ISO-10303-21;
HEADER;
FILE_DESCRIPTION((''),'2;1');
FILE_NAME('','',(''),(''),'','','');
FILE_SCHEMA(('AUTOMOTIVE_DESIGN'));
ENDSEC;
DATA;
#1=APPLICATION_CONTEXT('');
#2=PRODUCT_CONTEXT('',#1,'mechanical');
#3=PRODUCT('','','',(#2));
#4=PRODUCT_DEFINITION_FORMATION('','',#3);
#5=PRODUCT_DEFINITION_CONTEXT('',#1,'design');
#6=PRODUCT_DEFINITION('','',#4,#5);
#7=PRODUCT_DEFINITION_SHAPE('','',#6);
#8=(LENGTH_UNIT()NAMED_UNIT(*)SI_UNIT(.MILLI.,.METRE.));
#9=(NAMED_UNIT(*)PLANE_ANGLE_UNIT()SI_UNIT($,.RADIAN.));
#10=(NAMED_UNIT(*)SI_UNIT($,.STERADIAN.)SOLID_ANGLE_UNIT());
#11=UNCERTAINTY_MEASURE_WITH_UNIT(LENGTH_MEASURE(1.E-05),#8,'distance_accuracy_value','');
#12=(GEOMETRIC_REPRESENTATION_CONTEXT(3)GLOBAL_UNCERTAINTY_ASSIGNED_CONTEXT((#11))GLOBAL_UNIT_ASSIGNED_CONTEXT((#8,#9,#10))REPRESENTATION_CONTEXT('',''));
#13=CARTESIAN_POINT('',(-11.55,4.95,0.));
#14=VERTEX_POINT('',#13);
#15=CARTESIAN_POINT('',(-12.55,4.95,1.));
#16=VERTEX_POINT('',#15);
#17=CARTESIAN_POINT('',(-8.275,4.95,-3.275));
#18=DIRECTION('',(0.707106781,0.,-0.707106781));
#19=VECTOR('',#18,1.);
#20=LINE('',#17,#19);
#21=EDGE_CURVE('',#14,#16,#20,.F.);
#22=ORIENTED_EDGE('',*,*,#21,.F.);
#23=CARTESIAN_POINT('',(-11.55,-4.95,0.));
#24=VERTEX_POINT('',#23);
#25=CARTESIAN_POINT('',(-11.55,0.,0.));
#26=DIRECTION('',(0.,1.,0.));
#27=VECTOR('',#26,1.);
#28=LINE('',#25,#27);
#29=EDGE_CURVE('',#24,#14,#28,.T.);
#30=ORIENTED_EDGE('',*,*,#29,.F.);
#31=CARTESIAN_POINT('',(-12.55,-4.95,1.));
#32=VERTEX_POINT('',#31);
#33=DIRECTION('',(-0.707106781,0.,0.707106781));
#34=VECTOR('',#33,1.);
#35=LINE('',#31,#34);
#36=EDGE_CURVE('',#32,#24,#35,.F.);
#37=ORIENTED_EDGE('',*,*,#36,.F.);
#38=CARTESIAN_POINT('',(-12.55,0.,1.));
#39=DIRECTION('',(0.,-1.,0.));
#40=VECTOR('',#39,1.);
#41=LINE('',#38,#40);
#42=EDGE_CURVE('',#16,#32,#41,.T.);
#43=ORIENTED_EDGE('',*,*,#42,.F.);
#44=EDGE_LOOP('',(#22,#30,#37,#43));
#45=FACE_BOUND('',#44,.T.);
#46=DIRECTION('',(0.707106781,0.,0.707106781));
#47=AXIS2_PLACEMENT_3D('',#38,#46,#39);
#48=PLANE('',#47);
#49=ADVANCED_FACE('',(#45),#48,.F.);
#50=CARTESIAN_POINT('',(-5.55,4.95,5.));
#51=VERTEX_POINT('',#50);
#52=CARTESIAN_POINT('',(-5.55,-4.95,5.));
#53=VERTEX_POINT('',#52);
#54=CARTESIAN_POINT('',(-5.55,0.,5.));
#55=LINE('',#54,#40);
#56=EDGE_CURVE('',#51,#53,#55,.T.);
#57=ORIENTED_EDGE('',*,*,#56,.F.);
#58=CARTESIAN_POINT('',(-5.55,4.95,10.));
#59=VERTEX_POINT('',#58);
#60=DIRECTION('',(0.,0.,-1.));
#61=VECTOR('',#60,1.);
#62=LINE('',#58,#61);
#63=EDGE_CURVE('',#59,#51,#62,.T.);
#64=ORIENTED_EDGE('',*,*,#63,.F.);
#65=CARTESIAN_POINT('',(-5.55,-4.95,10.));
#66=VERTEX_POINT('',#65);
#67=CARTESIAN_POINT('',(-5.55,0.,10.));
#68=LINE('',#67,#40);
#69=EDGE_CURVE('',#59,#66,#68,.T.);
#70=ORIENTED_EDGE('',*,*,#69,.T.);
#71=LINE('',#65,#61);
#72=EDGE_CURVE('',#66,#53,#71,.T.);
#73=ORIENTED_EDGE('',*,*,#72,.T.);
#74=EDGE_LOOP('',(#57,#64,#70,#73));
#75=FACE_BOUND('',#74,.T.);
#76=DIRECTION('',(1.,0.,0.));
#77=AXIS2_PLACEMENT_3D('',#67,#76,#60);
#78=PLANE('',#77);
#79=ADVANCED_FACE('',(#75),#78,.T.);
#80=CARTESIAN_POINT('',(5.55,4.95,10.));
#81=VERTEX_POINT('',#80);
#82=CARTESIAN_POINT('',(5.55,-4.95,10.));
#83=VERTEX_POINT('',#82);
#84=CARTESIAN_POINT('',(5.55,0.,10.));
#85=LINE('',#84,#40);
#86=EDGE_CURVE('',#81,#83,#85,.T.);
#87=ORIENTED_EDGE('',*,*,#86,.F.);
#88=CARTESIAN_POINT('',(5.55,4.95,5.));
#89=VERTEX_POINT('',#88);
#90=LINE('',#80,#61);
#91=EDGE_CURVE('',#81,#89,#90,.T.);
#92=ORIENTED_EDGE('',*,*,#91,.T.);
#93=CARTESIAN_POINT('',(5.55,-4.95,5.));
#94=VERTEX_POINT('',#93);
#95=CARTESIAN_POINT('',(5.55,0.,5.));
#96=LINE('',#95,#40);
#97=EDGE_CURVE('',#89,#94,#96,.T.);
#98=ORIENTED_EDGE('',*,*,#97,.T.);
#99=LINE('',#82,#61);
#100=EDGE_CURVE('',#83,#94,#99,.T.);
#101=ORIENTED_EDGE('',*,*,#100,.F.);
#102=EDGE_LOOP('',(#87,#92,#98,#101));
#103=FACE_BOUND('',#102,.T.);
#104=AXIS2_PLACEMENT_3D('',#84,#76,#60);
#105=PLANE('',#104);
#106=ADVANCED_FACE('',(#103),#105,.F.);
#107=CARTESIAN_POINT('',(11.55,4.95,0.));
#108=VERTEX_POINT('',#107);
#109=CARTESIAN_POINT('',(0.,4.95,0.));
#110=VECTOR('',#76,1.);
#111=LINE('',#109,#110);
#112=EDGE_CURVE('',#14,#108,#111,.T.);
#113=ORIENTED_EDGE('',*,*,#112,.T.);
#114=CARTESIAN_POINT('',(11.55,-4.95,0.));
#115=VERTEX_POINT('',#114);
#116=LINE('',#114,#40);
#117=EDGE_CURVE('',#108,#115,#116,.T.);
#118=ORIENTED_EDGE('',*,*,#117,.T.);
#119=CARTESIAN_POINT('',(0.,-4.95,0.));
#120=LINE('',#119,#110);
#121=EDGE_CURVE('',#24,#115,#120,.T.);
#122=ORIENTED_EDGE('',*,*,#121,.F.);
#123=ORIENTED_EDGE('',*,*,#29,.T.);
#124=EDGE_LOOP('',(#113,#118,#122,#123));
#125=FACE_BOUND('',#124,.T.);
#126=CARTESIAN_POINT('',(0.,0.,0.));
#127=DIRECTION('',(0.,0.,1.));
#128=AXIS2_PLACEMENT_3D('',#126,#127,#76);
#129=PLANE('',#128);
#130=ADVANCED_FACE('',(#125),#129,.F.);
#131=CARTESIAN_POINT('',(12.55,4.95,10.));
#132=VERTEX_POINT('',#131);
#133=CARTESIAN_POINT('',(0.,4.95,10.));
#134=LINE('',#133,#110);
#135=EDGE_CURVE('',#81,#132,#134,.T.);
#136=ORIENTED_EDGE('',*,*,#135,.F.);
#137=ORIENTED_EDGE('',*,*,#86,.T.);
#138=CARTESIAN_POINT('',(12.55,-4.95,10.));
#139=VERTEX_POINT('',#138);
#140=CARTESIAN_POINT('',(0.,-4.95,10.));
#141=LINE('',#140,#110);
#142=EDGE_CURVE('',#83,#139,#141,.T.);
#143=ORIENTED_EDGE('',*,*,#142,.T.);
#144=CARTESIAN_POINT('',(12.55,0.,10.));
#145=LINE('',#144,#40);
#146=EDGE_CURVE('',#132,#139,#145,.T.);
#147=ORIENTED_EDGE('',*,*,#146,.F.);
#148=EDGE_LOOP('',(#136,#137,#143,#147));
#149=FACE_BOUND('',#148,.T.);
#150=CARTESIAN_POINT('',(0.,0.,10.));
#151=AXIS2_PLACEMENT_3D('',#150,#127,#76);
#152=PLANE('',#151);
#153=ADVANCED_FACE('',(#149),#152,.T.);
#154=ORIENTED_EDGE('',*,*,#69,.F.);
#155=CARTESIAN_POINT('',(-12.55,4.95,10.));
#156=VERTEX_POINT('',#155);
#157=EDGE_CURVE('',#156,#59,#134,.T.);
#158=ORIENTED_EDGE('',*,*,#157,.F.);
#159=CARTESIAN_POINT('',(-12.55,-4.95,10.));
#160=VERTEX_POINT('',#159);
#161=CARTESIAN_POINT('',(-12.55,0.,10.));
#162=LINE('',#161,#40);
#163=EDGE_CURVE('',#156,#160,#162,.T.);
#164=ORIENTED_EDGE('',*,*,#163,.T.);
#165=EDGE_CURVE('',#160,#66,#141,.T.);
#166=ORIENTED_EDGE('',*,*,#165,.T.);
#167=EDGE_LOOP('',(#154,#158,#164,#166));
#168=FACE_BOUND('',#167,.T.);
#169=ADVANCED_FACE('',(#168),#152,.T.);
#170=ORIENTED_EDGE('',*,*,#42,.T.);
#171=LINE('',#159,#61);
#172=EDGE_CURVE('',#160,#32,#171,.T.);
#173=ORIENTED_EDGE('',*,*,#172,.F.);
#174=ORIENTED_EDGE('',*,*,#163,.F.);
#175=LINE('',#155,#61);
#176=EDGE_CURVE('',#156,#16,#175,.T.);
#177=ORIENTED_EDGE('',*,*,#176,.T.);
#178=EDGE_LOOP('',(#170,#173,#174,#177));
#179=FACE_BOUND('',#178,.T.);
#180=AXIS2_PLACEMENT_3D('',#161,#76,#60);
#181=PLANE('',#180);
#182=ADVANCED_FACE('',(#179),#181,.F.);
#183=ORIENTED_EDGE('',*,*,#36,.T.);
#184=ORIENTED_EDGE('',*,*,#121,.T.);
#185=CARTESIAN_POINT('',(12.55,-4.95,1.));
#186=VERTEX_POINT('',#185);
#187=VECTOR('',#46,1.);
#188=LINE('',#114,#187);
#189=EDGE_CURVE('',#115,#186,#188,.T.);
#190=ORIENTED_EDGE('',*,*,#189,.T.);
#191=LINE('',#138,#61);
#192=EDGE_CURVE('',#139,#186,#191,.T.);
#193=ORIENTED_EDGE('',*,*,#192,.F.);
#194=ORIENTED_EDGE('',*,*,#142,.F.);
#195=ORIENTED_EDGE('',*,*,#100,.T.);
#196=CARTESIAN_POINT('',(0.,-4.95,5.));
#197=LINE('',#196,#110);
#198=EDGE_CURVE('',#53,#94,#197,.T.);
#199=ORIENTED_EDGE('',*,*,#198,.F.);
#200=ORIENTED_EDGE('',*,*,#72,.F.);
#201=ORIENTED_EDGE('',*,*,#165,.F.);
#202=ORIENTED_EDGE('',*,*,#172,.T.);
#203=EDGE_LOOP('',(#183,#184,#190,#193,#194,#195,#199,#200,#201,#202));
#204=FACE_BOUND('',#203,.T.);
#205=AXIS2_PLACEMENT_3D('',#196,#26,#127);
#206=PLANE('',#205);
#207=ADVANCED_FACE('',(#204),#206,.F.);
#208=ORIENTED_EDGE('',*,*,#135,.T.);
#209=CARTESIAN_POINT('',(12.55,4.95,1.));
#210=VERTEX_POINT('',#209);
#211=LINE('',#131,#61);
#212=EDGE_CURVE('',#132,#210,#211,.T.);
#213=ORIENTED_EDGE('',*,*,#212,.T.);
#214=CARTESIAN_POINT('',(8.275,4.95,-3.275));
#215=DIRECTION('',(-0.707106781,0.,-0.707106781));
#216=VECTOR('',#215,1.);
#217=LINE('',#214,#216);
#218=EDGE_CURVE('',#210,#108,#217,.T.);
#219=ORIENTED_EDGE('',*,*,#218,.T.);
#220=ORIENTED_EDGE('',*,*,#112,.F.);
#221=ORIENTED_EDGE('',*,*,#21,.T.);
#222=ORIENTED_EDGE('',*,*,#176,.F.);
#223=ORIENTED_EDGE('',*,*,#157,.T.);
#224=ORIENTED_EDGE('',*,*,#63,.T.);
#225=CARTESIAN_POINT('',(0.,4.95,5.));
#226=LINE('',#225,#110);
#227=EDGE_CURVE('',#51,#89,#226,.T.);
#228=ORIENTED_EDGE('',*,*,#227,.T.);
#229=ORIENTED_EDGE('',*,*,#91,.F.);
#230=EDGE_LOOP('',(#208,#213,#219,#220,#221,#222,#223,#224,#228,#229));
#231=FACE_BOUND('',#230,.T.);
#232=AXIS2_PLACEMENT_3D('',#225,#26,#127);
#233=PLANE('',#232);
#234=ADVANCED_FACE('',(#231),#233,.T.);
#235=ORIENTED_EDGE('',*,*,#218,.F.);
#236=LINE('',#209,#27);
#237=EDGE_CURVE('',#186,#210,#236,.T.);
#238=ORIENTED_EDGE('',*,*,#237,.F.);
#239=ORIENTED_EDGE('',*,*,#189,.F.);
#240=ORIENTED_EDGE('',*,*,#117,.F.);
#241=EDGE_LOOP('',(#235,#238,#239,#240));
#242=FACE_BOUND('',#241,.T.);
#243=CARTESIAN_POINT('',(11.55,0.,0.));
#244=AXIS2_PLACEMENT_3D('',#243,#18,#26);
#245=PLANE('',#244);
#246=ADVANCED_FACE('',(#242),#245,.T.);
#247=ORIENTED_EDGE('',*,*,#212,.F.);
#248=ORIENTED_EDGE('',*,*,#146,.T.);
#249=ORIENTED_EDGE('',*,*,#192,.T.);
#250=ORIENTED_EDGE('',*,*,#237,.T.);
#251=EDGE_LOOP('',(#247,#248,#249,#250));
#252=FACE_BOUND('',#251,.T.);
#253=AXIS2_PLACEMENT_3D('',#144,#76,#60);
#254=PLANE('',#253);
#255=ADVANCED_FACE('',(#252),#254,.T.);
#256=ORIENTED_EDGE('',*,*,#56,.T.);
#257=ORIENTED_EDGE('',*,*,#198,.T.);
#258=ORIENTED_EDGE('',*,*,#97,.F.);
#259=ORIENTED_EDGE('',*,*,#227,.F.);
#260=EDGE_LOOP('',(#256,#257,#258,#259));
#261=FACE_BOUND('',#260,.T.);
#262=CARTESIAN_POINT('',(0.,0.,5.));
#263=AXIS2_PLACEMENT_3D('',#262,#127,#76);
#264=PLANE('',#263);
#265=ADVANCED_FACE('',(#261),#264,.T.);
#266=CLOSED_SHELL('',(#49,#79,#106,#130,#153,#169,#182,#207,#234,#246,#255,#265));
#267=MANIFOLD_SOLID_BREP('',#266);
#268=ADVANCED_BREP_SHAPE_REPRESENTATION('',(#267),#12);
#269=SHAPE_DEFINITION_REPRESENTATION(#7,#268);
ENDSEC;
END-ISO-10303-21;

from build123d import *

# Parameters (mm, degrees)
SKETCH_1_W      = 11.1
SKETCH_1_H      = 9.9
EXTRUDE_1_DEPTH = 5
SKETCH_1_3_W    = 7
SKETCH_1_3_H    = 9.9
EXTRUDE_2_DEPTH = 10
CHAMFER_1_SIZE  = 1


with BuildPart() as part:
    # 스케치1 → 보스-돌출1 (new body)
    with BuildSketch(Plane.XY):
        Rectangle(SKETCH_1_W, SKETCH_1_H)
    extrude(amount=EXTRUDE_1_DEPTH)

    # 스케치1<3> → 보스-돌출2 (add)
    with BuildSketch(Plane.XY):
        with Locations((-9.05, 0)):
            Rectangle(SKETCH_1_3_W, SKETCH_1_3_H)
        with Locations((9.05, 0)):
            Rectangle(SKETCH_1_3_W, SKETCH_1_3_H)
    extrude(amount=EXTRUDE_2_DEPTH)

    # 모따기1
    chamfer_1_edges = [part.edges().sort_by_distance(p)[0] for p in [
        (-12.55, 0, 0),
        (12.55, 0, 0),
    ]]
    chamfer(chamfer_1_edges, length=CHAMFER_1_SIZE)


solid = part.part
